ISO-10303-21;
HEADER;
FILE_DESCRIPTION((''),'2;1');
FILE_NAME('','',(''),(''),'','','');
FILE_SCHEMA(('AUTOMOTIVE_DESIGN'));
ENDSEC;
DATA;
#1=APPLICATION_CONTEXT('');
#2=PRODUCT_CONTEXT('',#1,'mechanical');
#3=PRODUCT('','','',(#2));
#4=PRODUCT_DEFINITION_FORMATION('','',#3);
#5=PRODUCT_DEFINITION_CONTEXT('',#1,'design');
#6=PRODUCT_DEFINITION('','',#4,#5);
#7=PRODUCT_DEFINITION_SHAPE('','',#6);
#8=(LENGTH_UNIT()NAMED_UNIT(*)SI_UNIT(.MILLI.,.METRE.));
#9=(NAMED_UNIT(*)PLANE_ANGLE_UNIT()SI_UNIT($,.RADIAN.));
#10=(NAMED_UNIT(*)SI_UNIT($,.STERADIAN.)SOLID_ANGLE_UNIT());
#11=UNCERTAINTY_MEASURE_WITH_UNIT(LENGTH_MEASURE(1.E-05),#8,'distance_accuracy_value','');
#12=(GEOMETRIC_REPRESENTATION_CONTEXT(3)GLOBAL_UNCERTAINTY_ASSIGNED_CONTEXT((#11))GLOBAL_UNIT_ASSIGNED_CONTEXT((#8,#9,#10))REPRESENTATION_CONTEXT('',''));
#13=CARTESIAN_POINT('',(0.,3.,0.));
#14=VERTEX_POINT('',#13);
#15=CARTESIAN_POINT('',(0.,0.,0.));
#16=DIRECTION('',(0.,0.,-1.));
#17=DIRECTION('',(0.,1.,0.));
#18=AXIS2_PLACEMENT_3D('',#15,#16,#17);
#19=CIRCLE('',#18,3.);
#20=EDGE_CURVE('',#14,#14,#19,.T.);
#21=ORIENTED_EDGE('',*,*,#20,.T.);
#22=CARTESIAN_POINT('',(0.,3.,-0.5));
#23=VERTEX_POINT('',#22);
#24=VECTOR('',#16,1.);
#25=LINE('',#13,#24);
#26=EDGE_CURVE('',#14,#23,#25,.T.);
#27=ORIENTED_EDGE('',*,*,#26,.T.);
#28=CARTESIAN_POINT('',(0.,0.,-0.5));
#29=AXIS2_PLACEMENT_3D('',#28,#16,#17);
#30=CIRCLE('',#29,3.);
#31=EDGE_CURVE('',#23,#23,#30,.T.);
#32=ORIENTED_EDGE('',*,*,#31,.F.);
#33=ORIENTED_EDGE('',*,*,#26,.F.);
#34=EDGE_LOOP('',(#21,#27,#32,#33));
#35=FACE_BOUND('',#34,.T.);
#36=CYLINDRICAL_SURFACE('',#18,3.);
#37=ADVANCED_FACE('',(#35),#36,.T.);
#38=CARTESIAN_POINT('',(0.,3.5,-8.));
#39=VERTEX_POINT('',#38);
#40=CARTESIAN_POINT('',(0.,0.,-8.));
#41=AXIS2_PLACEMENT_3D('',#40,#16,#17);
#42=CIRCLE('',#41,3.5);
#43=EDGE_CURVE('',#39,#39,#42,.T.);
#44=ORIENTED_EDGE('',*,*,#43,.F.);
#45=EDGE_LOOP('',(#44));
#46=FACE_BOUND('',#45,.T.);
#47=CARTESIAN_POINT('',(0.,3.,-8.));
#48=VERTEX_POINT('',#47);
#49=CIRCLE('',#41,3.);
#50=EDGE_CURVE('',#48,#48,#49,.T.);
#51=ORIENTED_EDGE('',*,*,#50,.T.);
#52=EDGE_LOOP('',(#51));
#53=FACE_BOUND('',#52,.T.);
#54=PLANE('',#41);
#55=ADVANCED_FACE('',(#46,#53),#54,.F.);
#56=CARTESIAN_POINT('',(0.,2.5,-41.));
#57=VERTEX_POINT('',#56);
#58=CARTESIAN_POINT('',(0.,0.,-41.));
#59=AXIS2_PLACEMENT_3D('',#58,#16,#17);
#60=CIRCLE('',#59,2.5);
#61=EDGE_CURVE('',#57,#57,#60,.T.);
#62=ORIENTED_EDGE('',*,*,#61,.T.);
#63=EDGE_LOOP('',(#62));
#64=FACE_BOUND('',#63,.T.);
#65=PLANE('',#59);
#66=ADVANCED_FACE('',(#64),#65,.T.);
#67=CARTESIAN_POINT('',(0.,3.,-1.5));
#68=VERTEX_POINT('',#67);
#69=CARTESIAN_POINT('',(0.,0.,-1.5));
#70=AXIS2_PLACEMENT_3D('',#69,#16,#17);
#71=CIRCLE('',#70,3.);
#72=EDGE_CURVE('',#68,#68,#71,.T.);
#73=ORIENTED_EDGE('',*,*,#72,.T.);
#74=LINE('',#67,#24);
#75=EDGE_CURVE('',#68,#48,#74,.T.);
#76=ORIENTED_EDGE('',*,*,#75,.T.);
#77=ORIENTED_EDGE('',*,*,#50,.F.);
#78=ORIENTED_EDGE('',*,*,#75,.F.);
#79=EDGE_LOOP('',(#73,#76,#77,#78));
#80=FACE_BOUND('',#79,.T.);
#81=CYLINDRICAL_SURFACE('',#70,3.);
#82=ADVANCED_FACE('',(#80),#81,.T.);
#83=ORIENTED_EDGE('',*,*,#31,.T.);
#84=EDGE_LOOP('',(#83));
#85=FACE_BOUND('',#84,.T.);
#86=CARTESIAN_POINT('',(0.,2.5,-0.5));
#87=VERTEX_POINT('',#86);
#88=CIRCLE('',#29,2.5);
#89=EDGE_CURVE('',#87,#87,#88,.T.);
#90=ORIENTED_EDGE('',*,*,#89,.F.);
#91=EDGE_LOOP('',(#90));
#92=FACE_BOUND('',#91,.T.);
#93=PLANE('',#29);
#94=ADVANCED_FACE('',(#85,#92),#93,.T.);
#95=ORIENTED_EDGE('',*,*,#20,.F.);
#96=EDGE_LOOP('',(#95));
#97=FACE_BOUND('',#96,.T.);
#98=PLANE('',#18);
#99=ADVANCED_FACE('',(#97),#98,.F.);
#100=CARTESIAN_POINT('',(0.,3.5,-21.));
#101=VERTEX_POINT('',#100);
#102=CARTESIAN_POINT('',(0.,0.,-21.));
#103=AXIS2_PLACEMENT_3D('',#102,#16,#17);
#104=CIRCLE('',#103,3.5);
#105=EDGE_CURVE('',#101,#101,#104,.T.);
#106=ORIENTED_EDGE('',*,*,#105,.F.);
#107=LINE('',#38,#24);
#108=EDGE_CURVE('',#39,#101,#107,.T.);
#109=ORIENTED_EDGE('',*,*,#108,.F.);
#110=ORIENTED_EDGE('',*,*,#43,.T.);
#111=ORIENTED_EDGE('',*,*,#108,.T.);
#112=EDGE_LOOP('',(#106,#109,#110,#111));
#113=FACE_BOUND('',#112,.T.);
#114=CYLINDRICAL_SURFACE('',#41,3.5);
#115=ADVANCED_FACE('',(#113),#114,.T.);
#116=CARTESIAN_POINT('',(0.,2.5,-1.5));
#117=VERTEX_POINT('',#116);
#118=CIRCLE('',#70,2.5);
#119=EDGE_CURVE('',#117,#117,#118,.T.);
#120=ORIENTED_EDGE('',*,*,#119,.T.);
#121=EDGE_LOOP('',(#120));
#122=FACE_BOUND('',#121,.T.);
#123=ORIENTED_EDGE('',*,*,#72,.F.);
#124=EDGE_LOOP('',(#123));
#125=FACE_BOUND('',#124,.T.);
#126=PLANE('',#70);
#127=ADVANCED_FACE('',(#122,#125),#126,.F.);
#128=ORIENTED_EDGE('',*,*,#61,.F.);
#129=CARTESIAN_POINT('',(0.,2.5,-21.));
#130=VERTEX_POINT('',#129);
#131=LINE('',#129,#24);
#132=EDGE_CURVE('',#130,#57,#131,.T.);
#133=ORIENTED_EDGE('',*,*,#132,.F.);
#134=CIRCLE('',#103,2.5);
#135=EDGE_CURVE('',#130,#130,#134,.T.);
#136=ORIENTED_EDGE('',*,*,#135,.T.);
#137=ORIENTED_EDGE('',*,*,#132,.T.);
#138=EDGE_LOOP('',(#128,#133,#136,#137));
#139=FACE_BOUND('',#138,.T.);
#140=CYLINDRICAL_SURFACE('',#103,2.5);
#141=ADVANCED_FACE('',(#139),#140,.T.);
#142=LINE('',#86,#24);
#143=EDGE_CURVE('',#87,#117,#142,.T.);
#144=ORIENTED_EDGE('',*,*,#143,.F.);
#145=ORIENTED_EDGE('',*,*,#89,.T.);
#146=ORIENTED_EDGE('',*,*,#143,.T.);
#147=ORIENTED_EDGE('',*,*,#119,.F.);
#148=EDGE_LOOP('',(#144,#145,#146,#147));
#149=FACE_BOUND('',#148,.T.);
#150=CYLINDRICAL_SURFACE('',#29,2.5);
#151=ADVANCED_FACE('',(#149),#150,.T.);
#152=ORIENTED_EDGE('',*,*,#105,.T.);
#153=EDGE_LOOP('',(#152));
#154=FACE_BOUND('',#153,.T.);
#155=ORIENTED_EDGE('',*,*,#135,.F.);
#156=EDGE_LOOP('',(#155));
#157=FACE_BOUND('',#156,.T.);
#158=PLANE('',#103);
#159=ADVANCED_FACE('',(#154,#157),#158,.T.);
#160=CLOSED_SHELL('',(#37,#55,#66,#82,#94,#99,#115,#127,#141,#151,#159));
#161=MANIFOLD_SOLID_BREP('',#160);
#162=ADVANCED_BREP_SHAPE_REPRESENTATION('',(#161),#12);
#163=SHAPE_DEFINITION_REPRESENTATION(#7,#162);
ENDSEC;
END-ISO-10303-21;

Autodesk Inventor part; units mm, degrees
ref_plane "YZ Plane" through (0, 0, 0) normal (1, 0, 0) x (0, 1, 0)
ref_plane "XZ Plane" through (0, 0, 0) normal (0, 1, 0) x (-1, 0, 0)
ref_plane "XY Plane" through (0, 0, 0) normal (0, 0, 1) x (1, 0, 0)
sketch "Boceto1" plane through (0, 0, 0) normal (1, 0, 0) x (0, 1, 0)
  line L0 (0, 0) -> (3, 0)
  line L1 (3, 0) -> (3, -0.5)
  line L2 (3.5, -21) -> (6.5, -21)
  line L3 (6.5, -21) -> (6.5, -21)
  line L4 (6.5, -21) -> (2.5, -21)
  line L5 (2.5, -21) -> (2.5, -41)
  line L6 (0, 0) -> (0, -41)
  line L7 (2.5, -41) -> (0, -41)
  line L8 (3, -8) -> (3.5, -8)
  line L9 (3.5, -8) -> (3.5, -21)
  line L10 (3, -8) -> (3, -11.9913) construction
  line L11 (3, -0.5) -> (2.5, -0.5)
  line L12 (2.5, -0.5) -> (2.5, -1.5)
  line L13 (2.5, -1.5) -> (3, -1.5)
  line L14 (3, -1.5) -> (3, -0.5) construction
  line L15 (3, -0.5) -> (3, -1.5)
  line L16 (3, -1.5) -> (3, -8)
  point P0 (3.5, -14.5)
  dimension "d0" = 3
  dimension "d3" = 20
  dimension "d4" = 0
  dimension "d5" = 2.5
  dimension "d8" = 13
  dimension "d9" = 0.5
  dimension "d10" = 3
  dimension "d11" = 8
  dimension "d12" = 6.5
  dimension "d13" = 0.5
  dimension "d14" = 1
revolve "Revolución2" add sketch "Boceto1" angle 360 about axis through (0, 0, 0) along (0, 0, -1) contours L0 L1 L11 L12 L13 L16 L8 L9 L4 L5 L7 L6
properties part number "eje"
